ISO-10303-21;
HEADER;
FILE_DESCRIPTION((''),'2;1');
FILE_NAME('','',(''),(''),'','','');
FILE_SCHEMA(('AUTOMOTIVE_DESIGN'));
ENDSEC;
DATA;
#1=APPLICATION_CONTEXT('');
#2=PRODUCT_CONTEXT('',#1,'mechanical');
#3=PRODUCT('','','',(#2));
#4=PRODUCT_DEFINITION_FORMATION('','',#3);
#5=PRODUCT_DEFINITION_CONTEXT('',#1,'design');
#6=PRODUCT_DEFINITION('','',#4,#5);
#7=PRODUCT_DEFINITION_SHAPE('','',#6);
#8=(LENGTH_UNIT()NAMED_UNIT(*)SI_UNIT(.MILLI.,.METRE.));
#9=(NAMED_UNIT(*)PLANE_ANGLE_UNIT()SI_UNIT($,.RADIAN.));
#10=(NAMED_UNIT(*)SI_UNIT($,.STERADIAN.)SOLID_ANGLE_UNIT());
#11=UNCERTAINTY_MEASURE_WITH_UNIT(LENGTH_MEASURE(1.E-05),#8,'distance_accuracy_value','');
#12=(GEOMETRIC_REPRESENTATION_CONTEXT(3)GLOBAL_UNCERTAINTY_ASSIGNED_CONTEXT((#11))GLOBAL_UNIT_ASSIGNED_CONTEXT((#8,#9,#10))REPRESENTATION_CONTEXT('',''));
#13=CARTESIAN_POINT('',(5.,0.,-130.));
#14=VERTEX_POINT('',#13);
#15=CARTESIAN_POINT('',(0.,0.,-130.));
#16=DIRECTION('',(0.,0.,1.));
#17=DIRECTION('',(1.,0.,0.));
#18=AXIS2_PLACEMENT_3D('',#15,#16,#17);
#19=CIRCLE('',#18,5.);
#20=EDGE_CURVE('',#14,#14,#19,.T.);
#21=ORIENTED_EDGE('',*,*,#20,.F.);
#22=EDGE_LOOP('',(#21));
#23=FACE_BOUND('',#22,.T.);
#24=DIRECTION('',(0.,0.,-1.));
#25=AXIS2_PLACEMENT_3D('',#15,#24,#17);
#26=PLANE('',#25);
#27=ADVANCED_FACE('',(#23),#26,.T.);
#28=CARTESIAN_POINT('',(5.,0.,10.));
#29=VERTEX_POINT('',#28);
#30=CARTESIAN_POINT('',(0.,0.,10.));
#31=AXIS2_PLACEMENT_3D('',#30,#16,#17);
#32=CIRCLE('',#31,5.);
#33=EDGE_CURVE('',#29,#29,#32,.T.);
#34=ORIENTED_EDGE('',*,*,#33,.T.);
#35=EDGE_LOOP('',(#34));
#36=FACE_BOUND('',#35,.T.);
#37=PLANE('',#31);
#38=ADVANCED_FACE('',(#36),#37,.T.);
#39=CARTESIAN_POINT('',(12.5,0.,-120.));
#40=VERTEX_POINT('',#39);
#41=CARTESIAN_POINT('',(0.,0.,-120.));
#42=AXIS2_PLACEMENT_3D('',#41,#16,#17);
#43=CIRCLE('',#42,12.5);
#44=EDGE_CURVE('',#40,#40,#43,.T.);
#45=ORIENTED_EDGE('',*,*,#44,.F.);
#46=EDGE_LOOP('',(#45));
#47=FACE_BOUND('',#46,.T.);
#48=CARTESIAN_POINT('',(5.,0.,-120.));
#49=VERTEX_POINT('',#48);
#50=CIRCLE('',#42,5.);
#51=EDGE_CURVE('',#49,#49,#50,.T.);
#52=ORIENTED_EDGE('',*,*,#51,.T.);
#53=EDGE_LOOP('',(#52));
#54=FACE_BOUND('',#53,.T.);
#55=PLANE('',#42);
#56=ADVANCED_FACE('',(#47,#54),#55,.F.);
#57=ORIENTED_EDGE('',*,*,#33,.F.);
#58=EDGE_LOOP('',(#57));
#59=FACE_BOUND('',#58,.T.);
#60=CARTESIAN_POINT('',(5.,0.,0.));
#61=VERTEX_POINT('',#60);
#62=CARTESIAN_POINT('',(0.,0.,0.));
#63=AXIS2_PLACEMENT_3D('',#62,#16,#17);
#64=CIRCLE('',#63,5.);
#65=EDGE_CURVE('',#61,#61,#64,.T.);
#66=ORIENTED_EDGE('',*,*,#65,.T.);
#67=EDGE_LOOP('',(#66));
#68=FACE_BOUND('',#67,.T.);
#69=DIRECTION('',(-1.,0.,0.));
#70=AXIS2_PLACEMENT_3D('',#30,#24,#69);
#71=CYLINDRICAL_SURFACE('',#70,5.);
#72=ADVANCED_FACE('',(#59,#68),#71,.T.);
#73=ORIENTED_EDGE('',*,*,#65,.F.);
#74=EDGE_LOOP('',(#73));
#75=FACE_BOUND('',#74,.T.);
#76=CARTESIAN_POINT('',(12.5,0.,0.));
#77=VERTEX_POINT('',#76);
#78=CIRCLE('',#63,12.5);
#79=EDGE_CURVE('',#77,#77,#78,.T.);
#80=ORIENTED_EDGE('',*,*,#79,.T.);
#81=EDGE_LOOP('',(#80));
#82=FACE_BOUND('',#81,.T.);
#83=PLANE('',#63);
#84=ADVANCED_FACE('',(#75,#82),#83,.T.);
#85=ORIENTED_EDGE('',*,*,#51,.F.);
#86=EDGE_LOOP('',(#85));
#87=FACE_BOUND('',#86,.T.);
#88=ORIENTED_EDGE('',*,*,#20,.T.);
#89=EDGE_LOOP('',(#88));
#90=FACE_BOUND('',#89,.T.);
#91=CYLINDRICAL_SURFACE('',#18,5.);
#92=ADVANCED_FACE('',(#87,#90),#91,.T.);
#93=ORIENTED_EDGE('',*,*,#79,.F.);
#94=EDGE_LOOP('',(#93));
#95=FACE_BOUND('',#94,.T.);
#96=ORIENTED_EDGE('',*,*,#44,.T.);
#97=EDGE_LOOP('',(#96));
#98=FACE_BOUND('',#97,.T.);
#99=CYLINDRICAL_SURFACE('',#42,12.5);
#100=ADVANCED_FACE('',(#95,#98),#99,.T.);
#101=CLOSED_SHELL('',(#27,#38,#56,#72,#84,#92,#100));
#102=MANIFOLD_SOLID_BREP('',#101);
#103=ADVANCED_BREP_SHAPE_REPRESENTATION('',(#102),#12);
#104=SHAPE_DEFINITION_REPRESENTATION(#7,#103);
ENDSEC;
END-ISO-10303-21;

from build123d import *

# Parameters (mm, degrees)
SKETCH2_R           = 12.5
BOSS_EXTRUDE1_DEPTH = 120
SKETCH3_R           = 5
BOSS_EXTRUDE2_DEPTH = 10


with BuildPart() as part:
    # Sketch2 → Boss-Extrude1 (new body)
    with BuildSketch(Plane.XY):
        Circle(SKETCH2_R)
    extrude(amount=-BOSS_EXTRUDE1_DEPTH)

    # Sketch3 → Boss-Extrude2 (add)
    with BuildSketch(Plane.XY):
        Circle(SKETCH3_R)
    boss_extrude2 = extrude(amount=BOSS_EXTRUDE2_DEPTH)

    # Mirror1: Boss-Extrude2 across plane
    add(boss_extrude2.mirror(Plane.XY.offset(-60)))


solid = part.part
